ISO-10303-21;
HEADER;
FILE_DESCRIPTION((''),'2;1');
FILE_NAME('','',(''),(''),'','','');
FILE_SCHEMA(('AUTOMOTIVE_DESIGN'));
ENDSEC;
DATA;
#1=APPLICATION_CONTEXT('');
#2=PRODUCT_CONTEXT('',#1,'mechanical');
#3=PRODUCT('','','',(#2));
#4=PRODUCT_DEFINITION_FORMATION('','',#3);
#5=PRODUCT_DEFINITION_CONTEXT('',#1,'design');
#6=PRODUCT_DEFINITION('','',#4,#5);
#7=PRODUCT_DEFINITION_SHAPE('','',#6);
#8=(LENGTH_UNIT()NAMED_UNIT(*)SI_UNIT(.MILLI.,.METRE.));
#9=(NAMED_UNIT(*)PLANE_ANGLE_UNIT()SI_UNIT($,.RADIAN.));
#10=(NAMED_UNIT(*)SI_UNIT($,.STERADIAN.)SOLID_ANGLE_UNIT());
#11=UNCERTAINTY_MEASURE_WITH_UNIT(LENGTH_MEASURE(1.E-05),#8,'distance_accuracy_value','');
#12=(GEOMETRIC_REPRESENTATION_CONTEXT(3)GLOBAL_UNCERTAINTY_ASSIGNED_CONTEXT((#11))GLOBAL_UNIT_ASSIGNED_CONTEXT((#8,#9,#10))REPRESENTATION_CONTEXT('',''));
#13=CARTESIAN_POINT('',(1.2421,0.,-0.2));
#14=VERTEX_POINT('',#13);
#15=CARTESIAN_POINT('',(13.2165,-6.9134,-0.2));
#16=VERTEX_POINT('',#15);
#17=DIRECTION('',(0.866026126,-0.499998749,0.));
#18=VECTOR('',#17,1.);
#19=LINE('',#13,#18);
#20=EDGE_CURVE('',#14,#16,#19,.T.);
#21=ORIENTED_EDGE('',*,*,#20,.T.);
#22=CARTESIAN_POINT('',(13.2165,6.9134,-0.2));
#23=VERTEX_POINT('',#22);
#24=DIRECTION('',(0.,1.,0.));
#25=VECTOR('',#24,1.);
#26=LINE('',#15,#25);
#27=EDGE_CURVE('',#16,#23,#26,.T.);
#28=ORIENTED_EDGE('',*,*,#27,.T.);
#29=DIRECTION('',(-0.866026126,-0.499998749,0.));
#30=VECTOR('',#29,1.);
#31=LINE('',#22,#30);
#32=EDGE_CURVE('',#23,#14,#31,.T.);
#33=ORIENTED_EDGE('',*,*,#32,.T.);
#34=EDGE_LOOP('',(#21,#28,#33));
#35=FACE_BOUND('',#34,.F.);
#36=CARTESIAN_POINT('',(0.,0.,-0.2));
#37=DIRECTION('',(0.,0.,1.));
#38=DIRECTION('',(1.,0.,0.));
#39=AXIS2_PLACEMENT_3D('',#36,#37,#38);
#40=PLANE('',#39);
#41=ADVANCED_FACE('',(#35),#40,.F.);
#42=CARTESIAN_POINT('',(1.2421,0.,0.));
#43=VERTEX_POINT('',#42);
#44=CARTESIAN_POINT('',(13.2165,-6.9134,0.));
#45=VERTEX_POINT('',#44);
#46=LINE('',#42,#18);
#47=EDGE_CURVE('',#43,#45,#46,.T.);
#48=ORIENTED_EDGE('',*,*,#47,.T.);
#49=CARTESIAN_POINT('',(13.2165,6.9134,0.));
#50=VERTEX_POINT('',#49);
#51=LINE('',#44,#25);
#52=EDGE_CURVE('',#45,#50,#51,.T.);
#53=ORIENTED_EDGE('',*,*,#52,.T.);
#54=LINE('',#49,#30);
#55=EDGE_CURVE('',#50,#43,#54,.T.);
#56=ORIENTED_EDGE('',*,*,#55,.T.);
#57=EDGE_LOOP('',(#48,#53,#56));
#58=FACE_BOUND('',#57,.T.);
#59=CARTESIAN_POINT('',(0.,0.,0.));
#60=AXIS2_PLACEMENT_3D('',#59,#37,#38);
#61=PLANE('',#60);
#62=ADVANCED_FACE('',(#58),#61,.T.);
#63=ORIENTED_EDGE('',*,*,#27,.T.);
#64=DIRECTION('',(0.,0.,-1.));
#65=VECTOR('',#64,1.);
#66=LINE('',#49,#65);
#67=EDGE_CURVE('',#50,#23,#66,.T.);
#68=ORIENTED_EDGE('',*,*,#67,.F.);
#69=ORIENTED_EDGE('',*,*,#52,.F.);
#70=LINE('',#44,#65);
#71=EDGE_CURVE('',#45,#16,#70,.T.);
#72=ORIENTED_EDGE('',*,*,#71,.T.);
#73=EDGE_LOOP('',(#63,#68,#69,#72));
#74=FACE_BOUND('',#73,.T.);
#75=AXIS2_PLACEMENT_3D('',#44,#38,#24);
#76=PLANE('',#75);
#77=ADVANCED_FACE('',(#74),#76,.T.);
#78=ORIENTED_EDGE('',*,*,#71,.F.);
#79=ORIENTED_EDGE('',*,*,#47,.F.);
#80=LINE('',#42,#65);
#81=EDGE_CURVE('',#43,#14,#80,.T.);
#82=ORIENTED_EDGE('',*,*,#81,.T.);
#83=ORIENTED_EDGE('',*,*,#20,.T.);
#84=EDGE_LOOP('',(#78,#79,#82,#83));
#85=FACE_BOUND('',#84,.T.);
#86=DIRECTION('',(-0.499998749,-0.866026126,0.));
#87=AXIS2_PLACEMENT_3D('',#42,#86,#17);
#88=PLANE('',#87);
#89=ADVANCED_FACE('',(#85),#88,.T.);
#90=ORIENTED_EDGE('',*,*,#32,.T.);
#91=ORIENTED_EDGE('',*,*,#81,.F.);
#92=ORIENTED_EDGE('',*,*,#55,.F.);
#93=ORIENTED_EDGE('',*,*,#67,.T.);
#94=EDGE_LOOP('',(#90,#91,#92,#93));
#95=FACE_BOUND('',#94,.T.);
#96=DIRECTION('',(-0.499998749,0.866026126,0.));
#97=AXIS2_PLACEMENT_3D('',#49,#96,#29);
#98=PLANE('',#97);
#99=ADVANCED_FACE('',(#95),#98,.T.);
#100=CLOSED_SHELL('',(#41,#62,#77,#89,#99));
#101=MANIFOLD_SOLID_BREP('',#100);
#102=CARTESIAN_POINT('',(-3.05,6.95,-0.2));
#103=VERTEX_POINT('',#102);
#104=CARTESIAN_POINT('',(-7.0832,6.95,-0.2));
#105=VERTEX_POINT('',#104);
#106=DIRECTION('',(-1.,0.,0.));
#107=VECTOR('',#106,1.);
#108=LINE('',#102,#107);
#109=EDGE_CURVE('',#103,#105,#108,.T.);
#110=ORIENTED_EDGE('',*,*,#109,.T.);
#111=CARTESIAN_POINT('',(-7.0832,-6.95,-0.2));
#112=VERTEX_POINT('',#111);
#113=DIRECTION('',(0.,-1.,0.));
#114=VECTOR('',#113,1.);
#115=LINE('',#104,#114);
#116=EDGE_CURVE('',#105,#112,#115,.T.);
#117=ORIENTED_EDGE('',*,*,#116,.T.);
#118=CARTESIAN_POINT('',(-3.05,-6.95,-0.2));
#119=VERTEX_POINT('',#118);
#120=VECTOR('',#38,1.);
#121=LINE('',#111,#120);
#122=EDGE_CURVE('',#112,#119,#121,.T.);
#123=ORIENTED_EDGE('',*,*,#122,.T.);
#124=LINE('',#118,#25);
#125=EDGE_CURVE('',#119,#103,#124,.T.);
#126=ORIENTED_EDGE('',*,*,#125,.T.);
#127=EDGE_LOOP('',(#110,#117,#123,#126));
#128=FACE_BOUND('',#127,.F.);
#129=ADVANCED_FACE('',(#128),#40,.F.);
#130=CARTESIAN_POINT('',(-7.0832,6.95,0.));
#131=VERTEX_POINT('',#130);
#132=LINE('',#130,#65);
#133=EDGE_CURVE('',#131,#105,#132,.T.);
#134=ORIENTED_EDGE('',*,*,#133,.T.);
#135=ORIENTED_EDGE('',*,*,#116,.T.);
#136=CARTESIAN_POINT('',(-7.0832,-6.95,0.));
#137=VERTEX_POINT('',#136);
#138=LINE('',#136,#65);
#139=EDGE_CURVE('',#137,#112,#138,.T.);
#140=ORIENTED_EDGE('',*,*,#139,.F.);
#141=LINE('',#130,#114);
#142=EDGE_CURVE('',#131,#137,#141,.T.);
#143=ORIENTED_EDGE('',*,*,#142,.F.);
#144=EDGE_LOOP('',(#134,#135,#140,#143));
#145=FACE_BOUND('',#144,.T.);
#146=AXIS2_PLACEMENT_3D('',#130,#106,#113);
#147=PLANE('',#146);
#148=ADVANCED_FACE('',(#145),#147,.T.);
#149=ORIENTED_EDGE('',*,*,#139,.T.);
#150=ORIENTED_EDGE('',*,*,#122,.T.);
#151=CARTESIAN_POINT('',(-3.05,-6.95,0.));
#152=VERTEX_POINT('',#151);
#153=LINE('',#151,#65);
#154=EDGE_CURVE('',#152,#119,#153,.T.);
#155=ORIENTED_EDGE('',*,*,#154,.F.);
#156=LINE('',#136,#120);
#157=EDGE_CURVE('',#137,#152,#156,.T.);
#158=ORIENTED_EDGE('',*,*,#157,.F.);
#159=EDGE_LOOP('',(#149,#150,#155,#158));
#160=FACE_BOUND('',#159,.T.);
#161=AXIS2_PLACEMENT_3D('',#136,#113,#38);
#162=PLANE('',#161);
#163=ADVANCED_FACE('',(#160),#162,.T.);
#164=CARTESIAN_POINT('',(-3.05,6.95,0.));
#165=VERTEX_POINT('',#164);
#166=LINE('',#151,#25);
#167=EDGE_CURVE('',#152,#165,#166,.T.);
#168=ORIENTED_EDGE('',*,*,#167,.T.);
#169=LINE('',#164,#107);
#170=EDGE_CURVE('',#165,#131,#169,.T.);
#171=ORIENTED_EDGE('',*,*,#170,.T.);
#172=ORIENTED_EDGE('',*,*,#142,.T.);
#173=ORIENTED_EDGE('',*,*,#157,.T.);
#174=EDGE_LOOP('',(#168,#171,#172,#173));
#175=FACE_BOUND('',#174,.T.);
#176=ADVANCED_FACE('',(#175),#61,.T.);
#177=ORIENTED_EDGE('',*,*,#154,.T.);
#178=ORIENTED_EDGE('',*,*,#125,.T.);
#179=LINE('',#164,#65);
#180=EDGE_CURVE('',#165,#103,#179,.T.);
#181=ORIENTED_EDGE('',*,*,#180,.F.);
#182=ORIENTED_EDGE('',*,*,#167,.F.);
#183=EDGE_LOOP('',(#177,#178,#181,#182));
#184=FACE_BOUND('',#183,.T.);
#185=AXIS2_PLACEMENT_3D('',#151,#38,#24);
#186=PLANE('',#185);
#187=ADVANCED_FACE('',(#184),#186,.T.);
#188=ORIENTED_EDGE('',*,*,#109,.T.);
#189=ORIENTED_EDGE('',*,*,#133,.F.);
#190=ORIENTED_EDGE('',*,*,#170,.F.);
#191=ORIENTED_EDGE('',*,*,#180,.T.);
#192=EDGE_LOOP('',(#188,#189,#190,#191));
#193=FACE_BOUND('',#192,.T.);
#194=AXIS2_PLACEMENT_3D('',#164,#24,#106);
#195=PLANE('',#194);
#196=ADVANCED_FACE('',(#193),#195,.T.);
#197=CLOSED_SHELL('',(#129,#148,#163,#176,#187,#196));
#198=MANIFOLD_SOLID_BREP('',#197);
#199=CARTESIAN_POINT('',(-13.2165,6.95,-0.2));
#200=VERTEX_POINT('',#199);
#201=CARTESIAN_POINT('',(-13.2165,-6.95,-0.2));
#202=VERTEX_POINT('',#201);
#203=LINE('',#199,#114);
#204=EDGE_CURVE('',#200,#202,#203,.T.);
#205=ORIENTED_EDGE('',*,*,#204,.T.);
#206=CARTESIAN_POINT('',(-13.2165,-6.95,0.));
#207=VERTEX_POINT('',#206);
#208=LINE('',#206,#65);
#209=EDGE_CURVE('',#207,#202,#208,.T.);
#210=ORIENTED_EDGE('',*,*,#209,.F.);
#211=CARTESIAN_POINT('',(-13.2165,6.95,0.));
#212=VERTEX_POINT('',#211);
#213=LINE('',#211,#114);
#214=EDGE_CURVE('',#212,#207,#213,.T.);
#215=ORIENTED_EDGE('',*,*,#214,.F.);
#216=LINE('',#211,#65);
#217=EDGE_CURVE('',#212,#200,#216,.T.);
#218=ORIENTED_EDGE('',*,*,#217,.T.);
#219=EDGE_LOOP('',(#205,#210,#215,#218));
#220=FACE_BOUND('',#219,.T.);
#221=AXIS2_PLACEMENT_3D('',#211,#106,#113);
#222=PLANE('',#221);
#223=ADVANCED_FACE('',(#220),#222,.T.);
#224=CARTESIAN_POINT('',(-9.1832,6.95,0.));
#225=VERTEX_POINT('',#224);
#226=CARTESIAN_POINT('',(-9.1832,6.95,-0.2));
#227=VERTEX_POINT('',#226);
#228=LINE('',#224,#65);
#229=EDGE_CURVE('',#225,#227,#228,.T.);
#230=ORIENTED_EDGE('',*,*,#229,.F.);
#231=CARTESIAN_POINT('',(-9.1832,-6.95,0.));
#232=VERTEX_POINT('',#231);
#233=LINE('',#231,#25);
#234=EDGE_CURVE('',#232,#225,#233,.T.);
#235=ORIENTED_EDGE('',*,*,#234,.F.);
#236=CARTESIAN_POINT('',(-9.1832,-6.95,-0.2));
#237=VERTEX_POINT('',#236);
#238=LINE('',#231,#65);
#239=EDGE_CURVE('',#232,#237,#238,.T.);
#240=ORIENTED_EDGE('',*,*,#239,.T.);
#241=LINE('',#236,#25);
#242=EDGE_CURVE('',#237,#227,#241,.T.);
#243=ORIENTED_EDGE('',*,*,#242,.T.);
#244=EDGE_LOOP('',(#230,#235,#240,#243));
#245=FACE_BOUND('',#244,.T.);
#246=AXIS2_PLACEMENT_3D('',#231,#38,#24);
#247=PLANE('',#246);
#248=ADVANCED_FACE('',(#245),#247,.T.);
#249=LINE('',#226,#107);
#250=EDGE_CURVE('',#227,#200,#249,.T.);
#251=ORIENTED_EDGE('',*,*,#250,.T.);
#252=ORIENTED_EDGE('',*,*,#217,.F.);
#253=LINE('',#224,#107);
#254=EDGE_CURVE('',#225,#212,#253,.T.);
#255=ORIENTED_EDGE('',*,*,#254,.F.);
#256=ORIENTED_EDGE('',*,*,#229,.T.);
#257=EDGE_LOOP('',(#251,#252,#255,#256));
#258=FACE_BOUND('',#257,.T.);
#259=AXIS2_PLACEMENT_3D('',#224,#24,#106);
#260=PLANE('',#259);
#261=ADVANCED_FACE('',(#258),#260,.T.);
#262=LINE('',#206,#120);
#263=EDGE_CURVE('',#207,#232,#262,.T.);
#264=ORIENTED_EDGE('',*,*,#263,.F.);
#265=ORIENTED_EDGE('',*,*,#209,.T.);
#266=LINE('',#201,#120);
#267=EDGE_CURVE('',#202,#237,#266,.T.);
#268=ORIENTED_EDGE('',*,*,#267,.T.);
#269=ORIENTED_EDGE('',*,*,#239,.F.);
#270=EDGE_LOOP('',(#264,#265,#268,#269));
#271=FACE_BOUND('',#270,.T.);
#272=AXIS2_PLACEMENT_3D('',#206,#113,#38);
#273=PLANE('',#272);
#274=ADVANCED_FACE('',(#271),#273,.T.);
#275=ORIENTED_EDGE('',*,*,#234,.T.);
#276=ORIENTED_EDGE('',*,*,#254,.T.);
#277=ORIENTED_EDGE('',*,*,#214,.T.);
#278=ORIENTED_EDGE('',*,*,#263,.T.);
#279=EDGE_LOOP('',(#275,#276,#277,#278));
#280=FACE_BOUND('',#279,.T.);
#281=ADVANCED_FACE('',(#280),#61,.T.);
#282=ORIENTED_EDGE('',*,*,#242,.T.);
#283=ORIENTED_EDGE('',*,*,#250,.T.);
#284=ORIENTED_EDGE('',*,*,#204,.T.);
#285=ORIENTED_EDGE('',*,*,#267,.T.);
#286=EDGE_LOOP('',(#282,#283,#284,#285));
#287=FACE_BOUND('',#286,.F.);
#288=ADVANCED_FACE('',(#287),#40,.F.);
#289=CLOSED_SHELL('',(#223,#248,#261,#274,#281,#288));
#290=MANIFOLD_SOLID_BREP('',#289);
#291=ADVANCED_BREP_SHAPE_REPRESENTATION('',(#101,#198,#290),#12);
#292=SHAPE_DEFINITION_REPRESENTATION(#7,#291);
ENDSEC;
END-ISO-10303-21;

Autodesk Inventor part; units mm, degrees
ref_plane "YZ Plane" through (0, 0, 0) normal (1, 0, 0) x (0, 1, 0)
ref_plane "XZ Plane" through (0, 0, 0) normal (0, 1, 0) x (-1, 0, 0)
ref_plane "XY Plane" through (0, 0, 0) normal (0, 0, 1) x (1, 0, 0)
sketch "Skizze1" plane through (0, 0, 0) normal (0, 0, 1) x (1, 0, 0)
  line L0 (-9.1332, 7) -> (-9.1332, -7) projected
  line L1 (-9.1332, -7) -> (-13.2665, -7) projected
  line L2 (-13.2665, -7) -> (-13.2665, 7) projected
  line L3 (-13.2665, 7) -> (-9.1332, 7) projected
  line L4 (-3, 7) -> (-3, -7) projected
  line L5 (-3, -7) -> (-7.1332, -7) projected
  line L6 (-7.1332, -7) -> (-7.1332, 7) projected
  line L7 (-7.1332, 7) -> (-3, 7) projected
  line L8 (1.1421, 0) -> (13.2665, 7) projected
  line L9 (13.2665, 7) -> (13.2665, -7) projected
  line L10 (13.2665, -7) -> (1.1421, 0) projected
  circle A0 centre (0, 0) radius 18.6906 projected
  line L11 (-3.05, -6.95) -> (-3.05, 6.95)
  line L12 (-3.05, 6.95) -> (-7.0832, 6.95)
  line L13 (-7.0832, 6.95) -> (-7.0832, -6.95)
  line L14 (-7.0832, -6.95) -> (-3.05, -6.95)
  line L15 (-9.1832, -6.95) -> (-9.1832, 6.95)
  line L16 (-9.1832, 6.95) -> (-13.2165, 6.95)
  line L17 (-13.2165, 6.95) -> (-13.2165, -6.95)
  line L18 (-13.2165, -6.95) -> (-9.1832, -6.95)
  line L19 (13.2165, 6.9134) -> (1.2421, 0)
  line L20 (1.2421, 0) -> (13.2165, -6.9134)
  line L21 (13.2165, -6.9134) -> (13.2165, 6.9134)
  point P0 (0, 0)
  point P1 (-1.0928, 10.1918)
  dimension "d0" = 0.05
  dimension "d1" = 0.05
  dimension "d2" = 0.05
extrude "Extrusion1" add sketch "Skizze1" against normal blind 0.2 contours L14 L13 L12 L11 | L18 L17 L16 L15 | L21 L20 L19
properties part number "Pause"
